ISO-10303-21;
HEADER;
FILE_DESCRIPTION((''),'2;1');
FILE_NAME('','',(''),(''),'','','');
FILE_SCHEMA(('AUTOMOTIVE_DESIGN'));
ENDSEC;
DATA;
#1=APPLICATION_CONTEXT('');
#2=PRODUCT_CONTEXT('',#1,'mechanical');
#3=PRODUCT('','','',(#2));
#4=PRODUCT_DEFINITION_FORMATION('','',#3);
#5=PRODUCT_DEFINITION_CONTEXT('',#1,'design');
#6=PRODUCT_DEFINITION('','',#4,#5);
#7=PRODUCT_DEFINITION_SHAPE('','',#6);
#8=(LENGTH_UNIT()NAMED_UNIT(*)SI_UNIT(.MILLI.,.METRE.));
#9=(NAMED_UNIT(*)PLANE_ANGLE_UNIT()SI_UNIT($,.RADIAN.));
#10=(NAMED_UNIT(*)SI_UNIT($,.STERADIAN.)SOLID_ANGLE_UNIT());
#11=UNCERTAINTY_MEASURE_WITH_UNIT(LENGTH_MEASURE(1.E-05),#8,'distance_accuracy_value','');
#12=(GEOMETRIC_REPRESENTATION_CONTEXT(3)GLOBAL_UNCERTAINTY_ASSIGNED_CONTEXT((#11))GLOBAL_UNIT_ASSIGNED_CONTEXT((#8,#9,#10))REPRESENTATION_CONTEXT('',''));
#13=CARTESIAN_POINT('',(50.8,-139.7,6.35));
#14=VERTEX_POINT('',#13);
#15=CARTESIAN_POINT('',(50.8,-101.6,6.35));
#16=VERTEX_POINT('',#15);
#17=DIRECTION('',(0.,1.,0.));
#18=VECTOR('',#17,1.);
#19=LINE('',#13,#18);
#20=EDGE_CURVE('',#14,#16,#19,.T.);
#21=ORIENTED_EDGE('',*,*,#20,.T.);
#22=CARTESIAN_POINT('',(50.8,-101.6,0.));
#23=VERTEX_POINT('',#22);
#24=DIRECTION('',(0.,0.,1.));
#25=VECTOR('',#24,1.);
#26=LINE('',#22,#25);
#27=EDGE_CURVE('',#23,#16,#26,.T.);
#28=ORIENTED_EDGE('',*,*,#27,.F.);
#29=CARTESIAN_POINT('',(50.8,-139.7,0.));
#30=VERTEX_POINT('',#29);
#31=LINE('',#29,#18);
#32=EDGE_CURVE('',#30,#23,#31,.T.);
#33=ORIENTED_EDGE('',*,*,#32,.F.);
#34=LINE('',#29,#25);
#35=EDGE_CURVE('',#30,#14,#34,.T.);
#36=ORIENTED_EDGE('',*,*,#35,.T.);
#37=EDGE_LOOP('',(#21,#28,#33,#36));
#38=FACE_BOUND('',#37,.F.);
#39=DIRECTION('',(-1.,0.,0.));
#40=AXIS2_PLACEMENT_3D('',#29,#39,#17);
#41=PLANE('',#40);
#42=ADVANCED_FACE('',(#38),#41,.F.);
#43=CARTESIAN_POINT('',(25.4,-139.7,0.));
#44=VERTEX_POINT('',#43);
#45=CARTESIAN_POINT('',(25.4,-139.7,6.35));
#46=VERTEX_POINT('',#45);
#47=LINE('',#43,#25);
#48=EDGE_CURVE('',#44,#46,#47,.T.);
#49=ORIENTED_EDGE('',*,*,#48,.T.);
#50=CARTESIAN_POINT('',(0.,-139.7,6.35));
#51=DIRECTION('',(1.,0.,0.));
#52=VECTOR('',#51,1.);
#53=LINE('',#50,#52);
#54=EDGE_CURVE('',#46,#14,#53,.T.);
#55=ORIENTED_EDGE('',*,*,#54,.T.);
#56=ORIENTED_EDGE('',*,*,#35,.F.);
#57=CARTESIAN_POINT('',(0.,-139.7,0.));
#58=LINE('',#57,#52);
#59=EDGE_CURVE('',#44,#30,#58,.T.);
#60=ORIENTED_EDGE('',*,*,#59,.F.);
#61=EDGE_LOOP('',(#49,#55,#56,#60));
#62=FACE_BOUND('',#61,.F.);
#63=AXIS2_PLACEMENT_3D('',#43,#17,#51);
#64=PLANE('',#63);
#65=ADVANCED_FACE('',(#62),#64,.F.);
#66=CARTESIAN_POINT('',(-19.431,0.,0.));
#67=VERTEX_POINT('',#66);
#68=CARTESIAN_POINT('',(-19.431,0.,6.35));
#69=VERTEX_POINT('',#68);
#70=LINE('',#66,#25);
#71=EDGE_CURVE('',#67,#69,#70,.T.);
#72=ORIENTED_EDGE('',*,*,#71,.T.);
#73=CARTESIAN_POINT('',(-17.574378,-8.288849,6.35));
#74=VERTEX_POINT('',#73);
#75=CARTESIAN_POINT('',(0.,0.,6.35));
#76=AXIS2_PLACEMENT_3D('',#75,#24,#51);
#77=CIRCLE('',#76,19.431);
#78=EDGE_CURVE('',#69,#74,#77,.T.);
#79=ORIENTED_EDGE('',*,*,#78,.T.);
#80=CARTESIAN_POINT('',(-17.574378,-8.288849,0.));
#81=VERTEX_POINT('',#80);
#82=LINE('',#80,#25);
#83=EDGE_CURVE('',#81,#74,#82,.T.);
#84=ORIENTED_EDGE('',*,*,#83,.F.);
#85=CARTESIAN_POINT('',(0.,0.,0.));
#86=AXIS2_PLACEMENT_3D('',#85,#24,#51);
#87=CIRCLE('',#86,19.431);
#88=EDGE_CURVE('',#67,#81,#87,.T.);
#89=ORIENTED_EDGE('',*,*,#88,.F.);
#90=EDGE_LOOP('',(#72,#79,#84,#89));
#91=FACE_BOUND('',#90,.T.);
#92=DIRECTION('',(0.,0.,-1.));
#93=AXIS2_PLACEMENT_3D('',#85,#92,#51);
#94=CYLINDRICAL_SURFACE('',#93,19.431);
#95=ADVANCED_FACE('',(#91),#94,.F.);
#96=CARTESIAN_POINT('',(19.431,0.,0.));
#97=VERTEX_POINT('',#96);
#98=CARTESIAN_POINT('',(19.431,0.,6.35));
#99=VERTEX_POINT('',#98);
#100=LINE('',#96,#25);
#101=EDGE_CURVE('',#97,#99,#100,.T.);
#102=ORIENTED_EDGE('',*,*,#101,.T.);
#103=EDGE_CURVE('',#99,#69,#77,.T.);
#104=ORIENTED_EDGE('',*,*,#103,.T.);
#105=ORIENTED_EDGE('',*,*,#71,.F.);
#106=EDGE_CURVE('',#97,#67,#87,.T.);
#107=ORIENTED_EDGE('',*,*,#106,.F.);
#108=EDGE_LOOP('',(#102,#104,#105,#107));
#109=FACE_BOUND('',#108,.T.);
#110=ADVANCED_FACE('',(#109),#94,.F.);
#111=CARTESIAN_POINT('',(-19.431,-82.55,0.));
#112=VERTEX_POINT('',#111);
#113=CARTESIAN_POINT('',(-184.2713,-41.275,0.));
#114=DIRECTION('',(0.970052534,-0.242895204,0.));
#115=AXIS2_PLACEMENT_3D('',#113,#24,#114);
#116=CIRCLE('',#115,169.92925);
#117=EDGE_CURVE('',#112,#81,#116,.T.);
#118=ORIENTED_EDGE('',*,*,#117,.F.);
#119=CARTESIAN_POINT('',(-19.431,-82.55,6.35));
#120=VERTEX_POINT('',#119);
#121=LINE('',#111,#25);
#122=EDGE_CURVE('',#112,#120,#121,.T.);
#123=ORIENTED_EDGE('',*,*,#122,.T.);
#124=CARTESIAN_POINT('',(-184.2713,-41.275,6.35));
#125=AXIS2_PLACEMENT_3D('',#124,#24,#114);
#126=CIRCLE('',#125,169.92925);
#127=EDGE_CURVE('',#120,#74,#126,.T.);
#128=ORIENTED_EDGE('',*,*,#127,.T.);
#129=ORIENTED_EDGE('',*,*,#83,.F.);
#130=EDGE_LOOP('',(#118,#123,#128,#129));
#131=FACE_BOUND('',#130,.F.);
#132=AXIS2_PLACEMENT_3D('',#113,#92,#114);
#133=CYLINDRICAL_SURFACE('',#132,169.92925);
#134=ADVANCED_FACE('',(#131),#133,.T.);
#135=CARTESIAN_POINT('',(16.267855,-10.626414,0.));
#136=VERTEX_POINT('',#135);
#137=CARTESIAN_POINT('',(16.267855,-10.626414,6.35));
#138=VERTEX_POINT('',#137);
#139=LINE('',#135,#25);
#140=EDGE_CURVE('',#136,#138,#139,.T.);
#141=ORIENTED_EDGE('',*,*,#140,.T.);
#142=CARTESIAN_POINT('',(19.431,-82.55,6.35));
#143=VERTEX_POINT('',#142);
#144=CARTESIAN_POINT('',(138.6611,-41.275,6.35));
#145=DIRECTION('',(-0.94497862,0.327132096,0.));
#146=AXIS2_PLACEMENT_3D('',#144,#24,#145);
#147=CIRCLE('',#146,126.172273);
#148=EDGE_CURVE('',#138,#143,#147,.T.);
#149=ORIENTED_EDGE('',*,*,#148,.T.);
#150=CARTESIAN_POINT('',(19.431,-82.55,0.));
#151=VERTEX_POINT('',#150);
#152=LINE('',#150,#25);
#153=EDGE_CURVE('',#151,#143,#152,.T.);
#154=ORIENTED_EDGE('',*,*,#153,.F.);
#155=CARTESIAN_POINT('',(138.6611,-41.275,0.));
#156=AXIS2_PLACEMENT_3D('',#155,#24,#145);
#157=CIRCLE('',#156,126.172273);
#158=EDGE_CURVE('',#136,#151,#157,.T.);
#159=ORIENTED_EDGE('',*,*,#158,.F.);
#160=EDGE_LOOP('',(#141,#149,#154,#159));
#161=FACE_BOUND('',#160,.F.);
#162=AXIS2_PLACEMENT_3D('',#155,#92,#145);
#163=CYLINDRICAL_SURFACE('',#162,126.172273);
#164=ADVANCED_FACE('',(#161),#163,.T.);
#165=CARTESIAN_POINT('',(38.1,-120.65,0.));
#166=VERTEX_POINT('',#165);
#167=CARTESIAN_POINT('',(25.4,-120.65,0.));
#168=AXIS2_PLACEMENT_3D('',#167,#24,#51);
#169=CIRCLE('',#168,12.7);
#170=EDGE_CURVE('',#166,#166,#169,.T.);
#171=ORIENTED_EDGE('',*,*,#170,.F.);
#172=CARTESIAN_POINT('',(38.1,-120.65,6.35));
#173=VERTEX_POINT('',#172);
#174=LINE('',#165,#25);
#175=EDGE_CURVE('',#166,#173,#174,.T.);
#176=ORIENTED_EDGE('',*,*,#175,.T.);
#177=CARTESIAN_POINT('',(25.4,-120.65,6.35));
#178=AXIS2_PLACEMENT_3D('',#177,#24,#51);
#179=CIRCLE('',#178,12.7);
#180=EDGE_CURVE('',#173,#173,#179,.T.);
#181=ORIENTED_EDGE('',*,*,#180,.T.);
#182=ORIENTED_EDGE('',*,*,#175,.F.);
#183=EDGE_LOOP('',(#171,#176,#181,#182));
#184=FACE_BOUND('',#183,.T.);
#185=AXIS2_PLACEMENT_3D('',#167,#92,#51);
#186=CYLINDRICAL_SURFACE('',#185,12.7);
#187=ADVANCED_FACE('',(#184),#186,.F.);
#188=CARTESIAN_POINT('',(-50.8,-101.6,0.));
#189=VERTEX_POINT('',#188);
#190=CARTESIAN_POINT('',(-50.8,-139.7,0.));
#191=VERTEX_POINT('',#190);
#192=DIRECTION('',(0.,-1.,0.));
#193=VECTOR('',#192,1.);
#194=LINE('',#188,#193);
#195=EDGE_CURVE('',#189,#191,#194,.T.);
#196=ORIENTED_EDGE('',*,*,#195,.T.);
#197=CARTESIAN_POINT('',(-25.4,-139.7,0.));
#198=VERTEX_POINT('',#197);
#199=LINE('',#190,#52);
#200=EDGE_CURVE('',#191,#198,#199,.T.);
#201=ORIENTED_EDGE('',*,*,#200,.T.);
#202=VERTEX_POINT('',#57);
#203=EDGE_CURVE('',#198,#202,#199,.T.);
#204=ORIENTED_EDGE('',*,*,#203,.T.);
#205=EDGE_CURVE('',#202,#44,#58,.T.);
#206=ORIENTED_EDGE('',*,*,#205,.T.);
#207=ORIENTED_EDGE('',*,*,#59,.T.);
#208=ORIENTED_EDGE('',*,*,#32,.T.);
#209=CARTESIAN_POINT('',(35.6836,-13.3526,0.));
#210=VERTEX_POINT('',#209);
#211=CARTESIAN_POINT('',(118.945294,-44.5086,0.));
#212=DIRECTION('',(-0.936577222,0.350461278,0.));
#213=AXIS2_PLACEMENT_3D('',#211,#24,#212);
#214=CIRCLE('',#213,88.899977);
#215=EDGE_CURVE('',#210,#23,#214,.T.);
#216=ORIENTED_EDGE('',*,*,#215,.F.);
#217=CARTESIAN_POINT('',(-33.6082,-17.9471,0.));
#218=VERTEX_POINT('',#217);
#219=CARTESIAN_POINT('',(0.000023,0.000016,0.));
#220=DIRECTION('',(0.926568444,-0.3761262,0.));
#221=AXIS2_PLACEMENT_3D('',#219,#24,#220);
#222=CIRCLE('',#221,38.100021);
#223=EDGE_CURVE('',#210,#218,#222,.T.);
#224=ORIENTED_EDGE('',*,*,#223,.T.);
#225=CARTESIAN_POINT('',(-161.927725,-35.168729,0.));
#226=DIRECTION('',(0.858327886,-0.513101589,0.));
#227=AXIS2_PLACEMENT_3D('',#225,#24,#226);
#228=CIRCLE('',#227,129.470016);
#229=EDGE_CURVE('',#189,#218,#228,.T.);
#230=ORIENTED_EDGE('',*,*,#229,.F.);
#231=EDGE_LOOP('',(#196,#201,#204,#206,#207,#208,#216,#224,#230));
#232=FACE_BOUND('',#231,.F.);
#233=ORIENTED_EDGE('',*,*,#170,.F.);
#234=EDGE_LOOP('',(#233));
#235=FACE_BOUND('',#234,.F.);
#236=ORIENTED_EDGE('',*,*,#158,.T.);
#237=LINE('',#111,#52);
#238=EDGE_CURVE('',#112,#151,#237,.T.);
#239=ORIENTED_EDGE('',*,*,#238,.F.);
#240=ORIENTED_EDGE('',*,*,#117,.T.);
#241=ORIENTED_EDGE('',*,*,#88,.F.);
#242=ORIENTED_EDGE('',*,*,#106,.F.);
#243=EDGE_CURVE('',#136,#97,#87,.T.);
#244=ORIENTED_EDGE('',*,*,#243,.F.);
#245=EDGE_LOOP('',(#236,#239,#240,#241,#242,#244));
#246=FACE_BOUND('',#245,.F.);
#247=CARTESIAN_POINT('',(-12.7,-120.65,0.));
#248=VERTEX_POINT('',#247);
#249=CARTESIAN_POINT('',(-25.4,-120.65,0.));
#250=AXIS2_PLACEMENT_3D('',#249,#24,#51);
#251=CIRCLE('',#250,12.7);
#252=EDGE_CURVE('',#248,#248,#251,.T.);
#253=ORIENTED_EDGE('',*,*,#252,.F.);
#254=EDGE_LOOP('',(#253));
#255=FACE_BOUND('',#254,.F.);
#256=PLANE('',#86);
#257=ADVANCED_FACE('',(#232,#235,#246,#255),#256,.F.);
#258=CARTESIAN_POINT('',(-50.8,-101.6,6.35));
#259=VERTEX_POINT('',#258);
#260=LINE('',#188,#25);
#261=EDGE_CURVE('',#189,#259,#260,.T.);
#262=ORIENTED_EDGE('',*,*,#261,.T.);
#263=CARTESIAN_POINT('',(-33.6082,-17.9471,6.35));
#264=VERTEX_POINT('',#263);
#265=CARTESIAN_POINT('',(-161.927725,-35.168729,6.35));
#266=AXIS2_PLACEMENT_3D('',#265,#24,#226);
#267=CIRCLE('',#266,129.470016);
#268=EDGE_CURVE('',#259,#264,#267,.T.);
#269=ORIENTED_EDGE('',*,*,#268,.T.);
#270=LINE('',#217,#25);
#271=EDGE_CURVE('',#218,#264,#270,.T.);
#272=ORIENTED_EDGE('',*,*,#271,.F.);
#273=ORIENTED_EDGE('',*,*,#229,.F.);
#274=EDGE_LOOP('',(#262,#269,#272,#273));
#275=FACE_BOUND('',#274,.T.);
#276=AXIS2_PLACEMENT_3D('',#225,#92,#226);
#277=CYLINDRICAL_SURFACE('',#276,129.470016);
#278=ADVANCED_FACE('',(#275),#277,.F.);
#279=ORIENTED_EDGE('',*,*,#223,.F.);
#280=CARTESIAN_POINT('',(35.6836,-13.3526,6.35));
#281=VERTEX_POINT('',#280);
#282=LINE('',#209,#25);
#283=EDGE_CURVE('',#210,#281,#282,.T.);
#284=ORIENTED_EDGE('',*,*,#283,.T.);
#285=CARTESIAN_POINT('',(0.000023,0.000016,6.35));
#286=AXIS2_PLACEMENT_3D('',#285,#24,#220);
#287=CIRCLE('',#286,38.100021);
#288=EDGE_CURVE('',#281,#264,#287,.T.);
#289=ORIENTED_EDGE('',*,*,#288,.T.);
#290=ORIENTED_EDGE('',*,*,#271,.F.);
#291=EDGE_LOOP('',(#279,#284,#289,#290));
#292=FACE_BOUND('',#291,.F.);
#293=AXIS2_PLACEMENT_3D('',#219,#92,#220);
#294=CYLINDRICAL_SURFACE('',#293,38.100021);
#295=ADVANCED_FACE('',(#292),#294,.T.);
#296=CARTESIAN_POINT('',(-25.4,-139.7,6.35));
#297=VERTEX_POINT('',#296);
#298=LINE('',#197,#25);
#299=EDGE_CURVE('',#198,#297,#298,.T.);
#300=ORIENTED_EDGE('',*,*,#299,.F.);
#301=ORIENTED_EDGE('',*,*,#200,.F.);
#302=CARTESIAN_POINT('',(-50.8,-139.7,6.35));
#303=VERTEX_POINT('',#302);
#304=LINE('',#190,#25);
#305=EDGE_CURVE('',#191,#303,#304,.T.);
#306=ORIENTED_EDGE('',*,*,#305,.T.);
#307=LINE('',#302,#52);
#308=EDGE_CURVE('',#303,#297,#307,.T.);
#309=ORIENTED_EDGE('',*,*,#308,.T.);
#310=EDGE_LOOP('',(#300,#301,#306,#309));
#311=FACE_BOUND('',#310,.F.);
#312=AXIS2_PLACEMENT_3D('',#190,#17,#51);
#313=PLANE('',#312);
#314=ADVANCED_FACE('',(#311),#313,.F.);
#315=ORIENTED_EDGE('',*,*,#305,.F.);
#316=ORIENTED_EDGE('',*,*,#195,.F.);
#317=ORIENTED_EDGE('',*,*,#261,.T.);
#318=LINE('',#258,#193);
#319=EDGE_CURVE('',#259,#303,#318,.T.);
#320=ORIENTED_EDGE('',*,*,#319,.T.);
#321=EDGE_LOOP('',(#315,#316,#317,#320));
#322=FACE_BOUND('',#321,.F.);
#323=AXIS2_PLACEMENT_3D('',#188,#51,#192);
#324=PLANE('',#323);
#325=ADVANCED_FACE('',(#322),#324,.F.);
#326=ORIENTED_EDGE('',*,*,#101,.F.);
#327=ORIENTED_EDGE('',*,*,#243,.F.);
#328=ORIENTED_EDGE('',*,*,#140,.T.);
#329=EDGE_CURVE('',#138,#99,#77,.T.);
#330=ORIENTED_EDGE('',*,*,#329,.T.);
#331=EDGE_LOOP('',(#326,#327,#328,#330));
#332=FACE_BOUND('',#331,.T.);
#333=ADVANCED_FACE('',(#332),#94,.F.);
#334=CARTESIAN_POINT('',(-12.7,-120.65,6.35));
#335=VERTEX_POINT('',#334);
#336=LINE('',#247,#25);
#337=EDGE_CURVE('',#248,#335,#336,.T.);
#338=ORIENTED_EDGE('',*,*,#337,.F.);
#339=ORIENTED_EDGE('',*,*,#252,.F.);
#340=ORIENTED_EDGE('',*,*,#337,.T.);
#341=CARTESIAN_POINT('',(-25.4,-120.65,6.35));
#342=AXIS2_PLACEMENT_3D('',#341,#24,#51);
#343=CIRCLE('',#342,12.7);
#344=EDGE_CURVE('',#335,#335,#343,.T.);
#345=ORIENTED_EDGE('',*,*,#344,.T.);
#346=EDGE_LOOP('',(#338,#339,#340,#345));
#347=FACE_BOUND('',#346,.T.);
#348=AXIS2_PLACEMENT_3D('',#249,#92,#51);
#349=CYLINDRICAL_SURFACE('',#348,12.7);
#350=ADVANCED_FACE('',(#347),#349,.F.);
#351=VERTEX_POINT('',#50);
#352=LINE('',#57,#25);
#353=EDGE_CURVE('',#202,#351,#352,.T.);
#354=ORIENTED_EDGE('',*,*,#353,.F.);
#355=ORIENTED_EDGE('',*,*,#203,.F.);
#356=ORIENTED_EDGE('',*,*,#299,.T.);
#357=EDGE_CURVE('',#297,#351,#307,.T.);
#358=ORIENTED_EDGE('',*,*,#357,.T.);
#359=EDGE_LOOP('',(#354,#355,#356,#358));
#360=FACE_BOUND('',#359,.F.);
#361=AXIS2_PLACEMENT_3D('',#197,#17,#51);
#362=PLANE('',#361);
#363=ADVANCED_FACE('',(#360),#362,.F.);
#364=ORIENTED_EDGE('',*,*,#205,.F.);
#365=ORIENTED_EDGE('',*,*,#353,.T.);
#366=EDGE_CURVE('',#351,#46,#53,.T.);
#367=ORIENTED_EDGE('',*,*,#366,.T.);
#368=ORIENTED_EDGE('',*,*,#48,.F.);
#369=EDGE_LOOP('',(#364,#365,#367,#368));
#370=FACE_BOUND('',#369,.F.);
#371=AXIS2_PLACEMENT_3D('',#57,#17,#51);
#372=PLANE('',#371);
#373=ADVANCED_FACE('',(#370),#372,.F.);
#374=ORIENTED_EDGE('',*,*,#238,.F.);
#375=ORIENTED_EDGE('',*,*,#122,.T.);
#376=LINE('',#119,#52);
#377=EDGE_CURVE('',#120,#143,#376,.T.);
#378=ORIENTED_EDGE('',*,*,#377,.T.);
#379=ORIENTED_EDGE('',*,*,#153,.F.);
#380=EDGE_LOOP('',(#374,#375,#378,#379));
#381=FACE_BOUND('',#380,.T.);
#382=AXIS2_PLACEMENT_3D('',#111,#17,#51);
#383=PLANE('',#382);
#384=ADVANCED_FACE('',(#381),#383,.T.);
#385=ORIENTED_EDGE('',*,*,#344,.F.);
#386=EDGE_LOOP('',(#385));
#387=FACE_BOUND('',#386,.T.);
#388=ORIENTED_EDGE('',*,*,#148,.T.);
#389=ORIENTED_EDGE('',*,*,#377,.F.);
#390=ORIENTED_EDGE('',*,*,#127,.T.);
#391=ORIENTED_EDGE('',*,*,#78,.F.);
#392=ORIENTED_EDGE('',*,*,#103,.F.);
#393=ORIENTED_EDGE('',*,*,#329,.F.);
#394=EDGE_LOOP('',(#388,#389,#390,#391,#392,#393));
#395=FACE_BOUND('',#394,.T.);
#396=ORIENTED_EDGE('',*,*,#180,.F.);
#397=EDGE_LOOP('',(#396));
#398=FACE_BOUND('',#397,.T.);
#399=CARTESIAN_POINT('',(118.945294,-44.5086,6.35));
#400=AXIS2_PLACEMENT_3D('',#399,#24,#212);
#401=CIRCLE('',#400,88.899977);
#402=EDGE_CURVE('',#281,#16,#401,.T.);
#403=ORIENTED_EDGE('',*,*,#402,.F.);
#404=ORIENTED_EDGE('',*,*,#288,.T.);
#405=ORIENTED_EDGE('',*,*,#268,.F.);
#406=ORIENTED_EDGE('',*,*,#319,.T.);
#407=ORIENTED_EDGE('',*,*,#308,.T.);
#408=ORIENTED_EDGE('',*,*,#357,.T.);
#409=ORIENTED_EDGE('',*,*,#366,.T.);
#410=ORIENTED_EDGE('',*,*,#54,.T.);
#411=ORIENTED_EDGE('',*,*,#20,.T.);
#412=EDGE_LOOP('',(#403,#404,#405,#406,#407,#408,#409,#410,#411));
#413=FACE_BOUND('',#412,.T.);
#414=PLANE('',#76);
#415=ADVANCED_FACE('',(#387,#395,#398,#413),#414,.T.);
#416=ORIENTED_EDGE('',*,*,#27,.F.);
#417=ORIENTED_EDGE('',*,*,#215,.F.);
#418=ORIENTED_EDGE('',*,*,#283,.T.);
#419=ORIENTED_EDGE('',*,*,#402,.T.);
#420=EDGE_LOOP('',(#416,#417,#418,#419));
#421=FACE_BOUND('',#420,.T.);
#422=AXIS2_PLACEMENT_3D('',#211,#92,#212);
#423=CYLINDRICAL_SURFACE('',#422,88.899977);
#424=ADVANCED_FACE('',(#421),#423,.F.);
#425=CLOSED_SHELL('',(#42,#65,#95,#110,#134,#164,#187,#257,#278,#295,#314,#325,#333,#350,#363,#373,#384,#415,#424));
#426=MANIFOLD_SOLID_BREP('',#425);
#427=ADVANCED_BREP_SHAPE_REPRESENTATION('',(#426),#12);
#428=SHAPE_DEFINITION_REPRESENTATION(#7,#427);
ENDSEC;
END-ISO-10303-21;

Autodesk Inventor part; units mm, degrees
ref_plane "YZ Plane" through (0, 0, 0) normal (1, 0, 0) x (0, 1, 0)
ref_plane "XZ Plane" through (0, 0, 0) normal (0, 1, 0) x (-1, 0, 0)
ref_plane "XY Plane" through (0, 0, 0) normal (0, 0, 1) x (1, 0, 0)
sketch "Sketch1" plane through (0, 0, 0) normal (0, 0, 1) x (1, 0, 0)
  arc A0 (35.3023, -14.3304) -> (-33.6082, -17.9471) centre (0, 0) ccw
  circle A1 centre (0, 0) radius 19.431
  arc A2 (19.431, 0) -> (19.431, -82.55) centre (138.6611, -41.275) ccw
  arc A3 (-19.431, -82.55) -> (-19.431, 0) centre (-184.2713, -41.275) ccw
  line L0 (-19.431, -82.55) -> (19.431, -82.55)
  arc A4 (35.6836, -13.3526) -> (57.2802, -108.5447) centre (118.9453, -44.5086) ccw
  line L1 (0, -139.7) -> (50.8, -139.7)
  line L2 (50.8, -139.7) -> (50.8, -101.6)
  line L3 (-50.8, -101.6) -> (-50.8, -139.7)
  line L4 (-50.8, -139.7) -> (0, -139.7)
  arc A5 (-50.8, -101.6) -> (-33.6082, -17.9471) centre (-161.9278, -35.1687) ccw
  line L5 (-50.8, -139.7) -> (-25.4, -139.7)
  circle A6 centre (-25.4, -120.65) radius 12.7
  line L6 (50.8, -139.7) -> (25.4, -139.7)
  circle A7 centre (25.4, -120.65) radius 12.7
  dimension "d0" = 76.2
  dimension "d1" = 38.862
  dimension "d5" = 177.8
  dimension "d12" = 101.6
  dimension "d13" = 38.1
  dimension "d14" = 139.7
  dimension "d20" = 25.4
  dimension "d21" = 25.4
  dimension "d23" = 25.4
extrude "Extrusion1" add sketch "Sketch1" along normal blind 6.35
properties part number "4-4"
